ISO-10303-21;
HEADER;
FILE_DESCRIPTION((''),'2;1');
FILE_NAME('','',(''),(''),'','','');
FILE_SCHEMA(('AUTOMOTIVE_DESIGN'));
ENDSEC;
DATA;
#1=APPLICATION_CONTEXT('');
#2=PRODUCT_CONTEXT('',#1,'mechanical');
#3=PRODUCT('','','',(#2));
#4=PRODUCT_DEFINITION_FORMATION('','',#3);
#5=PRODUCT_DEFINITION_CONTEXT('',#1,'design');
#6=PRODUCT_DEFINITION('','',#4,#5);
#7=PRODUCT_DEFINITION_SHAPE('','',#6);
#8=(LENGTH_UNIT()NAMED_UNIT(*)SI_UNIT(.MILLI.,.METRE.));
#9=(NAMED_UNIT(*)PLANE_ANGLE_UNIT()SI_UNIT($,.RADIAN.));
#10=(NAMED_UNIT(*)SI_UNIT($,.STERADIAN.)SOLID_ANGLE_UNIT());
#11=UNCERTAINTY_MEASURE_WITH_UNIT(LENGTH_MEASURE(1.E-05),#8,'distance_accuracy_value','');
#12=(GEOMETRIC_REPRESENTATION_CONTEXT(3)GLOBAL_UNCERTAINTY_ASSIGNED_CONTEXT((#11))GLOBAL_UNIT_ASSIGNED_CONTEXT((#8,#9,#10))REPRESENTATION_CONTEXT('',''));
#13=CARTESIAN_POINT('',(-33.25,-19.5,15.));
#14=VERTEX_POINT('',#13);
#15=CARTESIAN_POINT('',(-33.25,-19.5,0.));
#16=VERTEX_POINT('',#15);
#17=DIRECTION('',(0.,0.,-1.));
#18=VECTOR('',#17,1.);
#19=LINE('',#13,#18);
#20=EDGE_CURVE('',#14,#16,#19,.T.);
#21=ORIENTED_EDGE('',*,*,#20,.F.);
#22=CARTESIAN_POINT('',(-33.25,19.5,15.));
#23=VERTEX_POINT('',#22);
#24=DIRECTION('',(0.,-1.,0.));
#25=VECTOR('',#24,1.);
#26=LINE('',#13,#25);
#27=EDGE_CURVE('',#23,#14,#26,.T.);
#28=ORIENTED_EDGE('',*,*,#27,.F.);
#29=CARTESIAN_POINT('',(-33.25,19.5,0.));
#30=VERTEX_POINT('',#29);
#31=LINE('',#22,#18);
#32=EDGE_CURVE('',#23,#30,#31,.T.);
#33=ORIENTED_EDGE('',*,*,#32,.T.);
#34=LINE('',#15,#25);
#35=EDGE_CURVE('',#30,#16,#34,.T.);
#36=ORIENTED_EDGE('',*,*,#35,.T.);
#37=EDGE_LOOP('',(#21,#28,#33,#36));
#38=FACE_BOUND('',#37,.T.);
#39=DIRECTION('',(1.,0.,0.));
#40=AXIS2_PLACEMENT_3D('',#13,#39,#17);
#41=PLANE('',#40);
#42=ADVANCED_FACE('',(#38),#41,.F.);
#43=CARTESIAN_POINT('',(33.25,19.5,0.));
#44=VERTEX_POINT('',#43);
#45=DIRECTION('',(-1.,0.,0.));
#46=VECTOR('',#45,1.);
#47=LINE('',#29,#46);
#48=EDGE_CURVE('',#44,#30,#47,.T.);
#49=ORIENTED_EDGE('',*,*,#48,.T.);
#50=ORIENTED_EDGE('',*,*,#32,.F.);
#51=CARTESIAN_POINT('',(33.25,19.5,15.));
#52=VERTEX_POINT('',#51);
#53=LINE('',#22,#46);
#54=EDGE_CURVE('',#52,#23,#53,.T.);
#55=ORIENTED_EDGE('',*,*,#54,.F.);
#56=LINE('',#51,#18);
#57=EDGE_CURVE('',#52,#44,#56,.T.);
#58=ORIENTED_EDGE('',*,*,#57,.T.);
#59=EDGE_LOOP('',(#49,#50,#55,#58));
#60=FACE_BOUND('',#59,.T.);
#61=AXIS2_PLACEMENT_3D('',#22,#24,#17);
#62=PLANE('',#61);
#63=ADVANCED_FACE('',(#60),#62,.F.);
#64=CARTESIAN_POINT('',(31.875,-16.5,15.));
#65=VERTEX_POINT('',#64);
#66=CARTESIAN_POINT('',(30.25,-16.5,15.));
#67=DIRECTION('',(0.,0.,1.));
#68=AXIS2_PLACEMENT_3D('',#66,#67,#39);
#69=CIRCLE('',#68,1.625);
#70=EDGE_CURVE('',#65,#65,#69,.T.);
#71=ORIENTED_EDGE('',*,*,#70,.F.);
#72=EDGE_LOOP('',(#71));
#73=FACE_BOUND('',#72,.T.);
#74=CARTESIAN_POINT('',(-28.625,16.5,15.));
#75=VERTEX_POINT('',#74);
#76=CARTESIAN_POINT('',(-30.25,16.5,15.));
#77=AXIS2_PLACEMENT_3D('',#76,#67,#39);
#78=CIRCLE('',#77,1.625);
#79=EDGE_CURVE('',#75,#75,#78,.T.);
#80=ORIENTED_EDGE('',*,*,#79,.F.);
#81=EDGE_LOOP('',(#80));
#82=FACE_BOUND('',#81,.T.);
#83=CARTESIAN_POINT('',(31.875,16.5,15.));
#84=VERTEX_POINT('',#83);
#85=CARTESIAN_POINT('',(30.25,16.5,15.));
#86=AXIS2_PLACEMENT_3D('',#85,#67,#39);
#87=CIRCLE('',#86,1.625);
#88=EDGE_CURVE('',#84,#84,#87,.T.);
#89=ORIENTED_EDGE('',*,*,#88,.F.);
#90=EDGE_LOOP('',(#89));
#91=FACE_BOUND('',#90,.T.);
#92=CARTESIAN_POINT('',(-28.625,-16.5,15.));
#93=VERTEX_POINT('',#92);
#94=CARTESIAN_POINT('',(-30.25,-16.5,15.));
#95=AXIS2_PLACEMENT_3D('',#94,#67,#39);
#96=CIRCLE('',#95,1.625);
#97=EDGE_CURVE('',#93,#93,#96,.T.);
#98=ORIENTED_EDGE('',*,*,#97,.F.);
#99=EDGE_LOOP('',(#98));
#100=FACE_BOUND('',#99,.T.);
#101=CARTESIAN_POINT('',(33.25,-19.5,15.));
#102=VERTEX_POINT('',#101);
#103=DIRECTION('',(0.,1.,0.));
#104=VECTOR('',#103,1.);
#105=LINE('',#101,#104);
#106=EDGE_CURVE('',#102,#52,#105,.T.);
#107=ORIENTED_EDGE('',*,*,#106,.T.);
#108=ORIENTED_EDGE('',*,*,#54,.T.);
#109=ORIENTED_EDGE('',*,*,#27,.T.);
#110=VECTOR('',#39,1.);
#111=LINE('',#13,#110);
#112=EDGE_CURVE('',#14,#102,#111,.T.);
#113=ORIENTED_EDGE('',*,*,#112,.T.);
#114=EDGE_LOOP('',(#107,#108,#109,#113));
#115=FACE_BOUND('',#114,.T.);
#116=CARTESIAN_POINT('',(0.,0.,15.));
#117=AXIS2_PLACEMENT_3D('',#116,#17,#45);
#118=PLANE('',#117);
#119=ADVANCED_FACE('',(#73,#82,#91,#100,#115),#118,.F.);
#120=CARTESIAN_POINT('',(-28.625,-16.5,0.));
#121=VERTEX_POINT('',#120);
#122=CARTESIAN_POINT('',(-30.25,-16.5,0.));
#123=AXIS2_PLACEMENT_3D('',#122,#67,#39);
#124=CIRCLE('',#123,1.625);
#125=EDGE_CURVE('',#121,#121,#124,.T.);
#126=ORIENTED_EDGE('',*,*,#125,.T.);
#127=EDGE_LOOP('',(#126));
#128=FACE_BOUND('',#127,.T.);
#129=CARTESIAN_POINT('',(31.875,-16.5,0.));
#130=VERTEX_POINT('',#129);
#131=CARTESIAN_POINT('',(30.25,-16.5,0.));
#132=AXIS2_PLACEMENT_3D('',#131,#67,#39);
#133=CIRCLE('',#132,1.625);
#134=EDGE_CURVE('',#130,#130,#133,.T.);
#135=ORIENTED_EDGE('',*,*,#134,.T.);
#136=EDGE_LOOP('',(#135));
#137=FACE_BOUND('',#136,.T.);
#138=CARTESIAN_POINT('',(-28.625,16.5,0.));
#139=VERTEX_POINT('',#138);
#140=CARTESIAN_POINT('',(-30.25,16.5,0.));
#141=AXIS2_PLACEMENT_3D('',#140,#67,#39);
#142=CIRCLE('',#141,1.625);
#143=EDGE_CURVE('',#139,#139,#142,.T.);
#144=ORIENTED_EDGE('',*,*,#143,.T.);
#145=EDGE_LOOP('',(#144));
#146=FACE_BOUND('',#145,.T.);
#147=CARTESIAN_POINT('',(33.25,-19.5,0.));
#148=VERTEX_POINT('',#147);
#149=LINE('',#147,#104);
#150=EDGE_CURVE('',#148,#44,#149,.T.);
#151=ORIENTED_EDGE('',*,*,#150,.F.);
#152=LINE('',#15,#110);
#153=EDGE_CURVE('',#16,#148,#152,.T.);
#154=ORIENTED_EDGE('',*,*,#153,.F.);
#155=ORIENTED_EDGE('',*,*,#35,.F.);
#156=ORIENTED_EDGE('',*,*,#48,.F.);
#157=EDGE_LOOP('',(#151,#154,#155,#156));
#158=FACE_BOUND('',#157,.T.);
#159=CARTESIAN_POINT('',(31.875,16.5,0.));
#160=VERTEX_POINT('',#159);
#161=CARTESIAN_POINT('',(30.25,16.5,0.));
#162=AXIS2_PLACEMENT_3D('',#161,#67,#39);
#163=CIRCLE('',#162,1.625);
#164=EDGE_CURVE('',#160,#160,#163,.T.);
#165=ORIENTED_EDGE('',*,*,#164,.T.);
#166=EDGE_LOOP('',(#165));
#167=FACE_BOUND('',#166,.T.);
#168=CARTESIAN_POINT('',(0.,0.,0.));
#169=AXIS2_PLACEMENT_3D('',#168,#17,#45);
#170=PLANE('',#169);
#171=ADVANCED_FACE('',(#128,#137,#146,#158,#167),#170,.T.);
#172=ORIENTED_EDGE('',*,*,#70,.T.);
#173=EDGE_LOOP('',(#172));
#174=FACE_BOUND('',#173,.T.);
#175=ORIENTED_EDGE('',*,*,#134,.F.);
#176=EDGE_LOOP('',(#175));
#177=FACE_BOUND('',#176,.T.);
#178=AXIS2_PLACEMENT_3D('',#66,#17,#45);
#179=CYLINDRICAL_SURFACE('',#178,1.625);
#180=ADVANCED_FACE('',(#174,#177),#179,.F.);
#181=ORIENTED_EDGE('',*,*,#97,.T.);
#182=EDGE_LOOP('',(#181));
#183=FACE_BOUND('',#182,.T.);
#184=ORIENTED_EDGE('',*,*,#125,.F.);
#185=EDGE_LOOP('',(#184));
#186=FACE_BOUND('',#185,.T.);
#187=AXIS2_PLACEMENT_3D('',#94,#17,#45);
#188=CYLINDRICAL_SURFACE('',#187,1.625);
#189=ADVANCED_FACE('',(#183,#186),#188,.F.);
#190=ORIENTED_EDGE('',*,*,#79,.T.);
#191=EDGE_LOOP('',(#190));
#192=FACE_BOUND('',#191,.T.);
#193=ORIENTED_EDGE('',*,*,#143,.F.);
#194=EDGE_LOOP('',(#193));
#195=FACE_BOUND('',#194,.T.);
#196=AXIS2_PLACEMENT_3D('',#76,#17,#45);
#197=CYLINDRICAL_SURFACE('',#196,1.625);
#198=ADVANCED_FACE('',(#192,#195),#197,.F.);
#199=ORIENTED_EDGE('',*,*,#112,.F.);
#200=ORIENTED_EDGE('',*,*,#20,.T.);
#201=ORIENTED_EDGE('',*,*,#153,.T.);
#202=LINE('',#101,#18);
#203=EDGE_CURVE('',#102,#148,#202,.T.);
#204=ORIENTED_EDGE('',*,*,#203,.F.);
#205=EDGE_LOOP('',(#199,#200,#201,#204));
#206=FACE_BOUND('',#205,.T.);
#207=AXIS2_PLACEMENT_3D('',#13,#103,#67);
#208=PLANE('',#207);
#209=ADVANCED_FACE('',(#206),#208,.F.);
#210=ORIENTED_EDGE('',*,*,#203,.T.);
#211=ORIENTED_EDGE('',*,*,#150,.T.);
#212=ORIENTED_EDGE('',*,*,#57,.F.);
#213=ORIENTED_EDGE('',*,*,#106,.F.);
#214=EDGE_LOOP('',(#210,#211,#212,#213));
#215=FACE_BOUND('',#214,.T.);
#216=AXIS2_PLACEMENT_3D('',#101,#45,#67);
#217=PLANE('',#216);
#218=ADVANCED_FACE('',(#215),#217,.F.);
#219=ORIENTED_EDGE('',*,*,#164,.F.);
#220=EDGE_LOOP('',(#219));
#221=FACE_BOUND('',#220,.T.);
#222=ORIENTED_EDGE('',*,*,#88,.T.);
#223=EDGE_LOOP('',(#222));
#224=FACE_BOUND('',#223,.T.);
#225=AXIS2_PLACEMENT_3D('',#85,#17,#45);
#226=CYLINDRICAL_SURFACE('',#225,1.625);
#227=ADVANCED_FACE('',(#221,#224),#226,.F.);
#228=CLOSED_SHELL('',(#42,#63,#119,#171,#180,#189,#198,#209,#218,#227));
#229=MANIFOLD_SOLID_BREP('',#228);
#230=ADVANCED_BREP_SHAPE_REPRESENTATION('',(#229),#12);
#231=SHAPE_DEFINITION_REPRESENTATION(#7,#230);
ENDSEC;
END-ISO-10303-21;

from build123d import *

# Parameters (mm, degrees)
SKETCH_1_W      = 66.5
SKETCH_1_H      = 39
SKETCH_1_R      = 1.625
EXTRUDE_1_DEPTH = 15


with BuildPart() as part:
    # 草图1 → 凸台-拉伸1 (new body)
    with BuildSketch(Plane.XY):
        Rectangle(SKETCH_1_W, SKETCH_1_H)
        with Locations((-30.25, 16.5)):
            Circle(SKETCH_1_R, mode=Mode.SUBTRACT)
        with Locations((30.25, 16.5)):
            Circle(SKETCH_1_R, mode=Mode.SUBTRACT)
        with Locations((30.25, -16.5)):
            Circle(SKETCH_1_R, mode=Mode.SUBTRACT)
        with Locations((-30.25, -16.5)):
            Circle(SKETCH_1_R, mode=Mode.SUBTRACT)
    extrude(amount=EXTRUDE_1_DEPTH)


solid = part.part
